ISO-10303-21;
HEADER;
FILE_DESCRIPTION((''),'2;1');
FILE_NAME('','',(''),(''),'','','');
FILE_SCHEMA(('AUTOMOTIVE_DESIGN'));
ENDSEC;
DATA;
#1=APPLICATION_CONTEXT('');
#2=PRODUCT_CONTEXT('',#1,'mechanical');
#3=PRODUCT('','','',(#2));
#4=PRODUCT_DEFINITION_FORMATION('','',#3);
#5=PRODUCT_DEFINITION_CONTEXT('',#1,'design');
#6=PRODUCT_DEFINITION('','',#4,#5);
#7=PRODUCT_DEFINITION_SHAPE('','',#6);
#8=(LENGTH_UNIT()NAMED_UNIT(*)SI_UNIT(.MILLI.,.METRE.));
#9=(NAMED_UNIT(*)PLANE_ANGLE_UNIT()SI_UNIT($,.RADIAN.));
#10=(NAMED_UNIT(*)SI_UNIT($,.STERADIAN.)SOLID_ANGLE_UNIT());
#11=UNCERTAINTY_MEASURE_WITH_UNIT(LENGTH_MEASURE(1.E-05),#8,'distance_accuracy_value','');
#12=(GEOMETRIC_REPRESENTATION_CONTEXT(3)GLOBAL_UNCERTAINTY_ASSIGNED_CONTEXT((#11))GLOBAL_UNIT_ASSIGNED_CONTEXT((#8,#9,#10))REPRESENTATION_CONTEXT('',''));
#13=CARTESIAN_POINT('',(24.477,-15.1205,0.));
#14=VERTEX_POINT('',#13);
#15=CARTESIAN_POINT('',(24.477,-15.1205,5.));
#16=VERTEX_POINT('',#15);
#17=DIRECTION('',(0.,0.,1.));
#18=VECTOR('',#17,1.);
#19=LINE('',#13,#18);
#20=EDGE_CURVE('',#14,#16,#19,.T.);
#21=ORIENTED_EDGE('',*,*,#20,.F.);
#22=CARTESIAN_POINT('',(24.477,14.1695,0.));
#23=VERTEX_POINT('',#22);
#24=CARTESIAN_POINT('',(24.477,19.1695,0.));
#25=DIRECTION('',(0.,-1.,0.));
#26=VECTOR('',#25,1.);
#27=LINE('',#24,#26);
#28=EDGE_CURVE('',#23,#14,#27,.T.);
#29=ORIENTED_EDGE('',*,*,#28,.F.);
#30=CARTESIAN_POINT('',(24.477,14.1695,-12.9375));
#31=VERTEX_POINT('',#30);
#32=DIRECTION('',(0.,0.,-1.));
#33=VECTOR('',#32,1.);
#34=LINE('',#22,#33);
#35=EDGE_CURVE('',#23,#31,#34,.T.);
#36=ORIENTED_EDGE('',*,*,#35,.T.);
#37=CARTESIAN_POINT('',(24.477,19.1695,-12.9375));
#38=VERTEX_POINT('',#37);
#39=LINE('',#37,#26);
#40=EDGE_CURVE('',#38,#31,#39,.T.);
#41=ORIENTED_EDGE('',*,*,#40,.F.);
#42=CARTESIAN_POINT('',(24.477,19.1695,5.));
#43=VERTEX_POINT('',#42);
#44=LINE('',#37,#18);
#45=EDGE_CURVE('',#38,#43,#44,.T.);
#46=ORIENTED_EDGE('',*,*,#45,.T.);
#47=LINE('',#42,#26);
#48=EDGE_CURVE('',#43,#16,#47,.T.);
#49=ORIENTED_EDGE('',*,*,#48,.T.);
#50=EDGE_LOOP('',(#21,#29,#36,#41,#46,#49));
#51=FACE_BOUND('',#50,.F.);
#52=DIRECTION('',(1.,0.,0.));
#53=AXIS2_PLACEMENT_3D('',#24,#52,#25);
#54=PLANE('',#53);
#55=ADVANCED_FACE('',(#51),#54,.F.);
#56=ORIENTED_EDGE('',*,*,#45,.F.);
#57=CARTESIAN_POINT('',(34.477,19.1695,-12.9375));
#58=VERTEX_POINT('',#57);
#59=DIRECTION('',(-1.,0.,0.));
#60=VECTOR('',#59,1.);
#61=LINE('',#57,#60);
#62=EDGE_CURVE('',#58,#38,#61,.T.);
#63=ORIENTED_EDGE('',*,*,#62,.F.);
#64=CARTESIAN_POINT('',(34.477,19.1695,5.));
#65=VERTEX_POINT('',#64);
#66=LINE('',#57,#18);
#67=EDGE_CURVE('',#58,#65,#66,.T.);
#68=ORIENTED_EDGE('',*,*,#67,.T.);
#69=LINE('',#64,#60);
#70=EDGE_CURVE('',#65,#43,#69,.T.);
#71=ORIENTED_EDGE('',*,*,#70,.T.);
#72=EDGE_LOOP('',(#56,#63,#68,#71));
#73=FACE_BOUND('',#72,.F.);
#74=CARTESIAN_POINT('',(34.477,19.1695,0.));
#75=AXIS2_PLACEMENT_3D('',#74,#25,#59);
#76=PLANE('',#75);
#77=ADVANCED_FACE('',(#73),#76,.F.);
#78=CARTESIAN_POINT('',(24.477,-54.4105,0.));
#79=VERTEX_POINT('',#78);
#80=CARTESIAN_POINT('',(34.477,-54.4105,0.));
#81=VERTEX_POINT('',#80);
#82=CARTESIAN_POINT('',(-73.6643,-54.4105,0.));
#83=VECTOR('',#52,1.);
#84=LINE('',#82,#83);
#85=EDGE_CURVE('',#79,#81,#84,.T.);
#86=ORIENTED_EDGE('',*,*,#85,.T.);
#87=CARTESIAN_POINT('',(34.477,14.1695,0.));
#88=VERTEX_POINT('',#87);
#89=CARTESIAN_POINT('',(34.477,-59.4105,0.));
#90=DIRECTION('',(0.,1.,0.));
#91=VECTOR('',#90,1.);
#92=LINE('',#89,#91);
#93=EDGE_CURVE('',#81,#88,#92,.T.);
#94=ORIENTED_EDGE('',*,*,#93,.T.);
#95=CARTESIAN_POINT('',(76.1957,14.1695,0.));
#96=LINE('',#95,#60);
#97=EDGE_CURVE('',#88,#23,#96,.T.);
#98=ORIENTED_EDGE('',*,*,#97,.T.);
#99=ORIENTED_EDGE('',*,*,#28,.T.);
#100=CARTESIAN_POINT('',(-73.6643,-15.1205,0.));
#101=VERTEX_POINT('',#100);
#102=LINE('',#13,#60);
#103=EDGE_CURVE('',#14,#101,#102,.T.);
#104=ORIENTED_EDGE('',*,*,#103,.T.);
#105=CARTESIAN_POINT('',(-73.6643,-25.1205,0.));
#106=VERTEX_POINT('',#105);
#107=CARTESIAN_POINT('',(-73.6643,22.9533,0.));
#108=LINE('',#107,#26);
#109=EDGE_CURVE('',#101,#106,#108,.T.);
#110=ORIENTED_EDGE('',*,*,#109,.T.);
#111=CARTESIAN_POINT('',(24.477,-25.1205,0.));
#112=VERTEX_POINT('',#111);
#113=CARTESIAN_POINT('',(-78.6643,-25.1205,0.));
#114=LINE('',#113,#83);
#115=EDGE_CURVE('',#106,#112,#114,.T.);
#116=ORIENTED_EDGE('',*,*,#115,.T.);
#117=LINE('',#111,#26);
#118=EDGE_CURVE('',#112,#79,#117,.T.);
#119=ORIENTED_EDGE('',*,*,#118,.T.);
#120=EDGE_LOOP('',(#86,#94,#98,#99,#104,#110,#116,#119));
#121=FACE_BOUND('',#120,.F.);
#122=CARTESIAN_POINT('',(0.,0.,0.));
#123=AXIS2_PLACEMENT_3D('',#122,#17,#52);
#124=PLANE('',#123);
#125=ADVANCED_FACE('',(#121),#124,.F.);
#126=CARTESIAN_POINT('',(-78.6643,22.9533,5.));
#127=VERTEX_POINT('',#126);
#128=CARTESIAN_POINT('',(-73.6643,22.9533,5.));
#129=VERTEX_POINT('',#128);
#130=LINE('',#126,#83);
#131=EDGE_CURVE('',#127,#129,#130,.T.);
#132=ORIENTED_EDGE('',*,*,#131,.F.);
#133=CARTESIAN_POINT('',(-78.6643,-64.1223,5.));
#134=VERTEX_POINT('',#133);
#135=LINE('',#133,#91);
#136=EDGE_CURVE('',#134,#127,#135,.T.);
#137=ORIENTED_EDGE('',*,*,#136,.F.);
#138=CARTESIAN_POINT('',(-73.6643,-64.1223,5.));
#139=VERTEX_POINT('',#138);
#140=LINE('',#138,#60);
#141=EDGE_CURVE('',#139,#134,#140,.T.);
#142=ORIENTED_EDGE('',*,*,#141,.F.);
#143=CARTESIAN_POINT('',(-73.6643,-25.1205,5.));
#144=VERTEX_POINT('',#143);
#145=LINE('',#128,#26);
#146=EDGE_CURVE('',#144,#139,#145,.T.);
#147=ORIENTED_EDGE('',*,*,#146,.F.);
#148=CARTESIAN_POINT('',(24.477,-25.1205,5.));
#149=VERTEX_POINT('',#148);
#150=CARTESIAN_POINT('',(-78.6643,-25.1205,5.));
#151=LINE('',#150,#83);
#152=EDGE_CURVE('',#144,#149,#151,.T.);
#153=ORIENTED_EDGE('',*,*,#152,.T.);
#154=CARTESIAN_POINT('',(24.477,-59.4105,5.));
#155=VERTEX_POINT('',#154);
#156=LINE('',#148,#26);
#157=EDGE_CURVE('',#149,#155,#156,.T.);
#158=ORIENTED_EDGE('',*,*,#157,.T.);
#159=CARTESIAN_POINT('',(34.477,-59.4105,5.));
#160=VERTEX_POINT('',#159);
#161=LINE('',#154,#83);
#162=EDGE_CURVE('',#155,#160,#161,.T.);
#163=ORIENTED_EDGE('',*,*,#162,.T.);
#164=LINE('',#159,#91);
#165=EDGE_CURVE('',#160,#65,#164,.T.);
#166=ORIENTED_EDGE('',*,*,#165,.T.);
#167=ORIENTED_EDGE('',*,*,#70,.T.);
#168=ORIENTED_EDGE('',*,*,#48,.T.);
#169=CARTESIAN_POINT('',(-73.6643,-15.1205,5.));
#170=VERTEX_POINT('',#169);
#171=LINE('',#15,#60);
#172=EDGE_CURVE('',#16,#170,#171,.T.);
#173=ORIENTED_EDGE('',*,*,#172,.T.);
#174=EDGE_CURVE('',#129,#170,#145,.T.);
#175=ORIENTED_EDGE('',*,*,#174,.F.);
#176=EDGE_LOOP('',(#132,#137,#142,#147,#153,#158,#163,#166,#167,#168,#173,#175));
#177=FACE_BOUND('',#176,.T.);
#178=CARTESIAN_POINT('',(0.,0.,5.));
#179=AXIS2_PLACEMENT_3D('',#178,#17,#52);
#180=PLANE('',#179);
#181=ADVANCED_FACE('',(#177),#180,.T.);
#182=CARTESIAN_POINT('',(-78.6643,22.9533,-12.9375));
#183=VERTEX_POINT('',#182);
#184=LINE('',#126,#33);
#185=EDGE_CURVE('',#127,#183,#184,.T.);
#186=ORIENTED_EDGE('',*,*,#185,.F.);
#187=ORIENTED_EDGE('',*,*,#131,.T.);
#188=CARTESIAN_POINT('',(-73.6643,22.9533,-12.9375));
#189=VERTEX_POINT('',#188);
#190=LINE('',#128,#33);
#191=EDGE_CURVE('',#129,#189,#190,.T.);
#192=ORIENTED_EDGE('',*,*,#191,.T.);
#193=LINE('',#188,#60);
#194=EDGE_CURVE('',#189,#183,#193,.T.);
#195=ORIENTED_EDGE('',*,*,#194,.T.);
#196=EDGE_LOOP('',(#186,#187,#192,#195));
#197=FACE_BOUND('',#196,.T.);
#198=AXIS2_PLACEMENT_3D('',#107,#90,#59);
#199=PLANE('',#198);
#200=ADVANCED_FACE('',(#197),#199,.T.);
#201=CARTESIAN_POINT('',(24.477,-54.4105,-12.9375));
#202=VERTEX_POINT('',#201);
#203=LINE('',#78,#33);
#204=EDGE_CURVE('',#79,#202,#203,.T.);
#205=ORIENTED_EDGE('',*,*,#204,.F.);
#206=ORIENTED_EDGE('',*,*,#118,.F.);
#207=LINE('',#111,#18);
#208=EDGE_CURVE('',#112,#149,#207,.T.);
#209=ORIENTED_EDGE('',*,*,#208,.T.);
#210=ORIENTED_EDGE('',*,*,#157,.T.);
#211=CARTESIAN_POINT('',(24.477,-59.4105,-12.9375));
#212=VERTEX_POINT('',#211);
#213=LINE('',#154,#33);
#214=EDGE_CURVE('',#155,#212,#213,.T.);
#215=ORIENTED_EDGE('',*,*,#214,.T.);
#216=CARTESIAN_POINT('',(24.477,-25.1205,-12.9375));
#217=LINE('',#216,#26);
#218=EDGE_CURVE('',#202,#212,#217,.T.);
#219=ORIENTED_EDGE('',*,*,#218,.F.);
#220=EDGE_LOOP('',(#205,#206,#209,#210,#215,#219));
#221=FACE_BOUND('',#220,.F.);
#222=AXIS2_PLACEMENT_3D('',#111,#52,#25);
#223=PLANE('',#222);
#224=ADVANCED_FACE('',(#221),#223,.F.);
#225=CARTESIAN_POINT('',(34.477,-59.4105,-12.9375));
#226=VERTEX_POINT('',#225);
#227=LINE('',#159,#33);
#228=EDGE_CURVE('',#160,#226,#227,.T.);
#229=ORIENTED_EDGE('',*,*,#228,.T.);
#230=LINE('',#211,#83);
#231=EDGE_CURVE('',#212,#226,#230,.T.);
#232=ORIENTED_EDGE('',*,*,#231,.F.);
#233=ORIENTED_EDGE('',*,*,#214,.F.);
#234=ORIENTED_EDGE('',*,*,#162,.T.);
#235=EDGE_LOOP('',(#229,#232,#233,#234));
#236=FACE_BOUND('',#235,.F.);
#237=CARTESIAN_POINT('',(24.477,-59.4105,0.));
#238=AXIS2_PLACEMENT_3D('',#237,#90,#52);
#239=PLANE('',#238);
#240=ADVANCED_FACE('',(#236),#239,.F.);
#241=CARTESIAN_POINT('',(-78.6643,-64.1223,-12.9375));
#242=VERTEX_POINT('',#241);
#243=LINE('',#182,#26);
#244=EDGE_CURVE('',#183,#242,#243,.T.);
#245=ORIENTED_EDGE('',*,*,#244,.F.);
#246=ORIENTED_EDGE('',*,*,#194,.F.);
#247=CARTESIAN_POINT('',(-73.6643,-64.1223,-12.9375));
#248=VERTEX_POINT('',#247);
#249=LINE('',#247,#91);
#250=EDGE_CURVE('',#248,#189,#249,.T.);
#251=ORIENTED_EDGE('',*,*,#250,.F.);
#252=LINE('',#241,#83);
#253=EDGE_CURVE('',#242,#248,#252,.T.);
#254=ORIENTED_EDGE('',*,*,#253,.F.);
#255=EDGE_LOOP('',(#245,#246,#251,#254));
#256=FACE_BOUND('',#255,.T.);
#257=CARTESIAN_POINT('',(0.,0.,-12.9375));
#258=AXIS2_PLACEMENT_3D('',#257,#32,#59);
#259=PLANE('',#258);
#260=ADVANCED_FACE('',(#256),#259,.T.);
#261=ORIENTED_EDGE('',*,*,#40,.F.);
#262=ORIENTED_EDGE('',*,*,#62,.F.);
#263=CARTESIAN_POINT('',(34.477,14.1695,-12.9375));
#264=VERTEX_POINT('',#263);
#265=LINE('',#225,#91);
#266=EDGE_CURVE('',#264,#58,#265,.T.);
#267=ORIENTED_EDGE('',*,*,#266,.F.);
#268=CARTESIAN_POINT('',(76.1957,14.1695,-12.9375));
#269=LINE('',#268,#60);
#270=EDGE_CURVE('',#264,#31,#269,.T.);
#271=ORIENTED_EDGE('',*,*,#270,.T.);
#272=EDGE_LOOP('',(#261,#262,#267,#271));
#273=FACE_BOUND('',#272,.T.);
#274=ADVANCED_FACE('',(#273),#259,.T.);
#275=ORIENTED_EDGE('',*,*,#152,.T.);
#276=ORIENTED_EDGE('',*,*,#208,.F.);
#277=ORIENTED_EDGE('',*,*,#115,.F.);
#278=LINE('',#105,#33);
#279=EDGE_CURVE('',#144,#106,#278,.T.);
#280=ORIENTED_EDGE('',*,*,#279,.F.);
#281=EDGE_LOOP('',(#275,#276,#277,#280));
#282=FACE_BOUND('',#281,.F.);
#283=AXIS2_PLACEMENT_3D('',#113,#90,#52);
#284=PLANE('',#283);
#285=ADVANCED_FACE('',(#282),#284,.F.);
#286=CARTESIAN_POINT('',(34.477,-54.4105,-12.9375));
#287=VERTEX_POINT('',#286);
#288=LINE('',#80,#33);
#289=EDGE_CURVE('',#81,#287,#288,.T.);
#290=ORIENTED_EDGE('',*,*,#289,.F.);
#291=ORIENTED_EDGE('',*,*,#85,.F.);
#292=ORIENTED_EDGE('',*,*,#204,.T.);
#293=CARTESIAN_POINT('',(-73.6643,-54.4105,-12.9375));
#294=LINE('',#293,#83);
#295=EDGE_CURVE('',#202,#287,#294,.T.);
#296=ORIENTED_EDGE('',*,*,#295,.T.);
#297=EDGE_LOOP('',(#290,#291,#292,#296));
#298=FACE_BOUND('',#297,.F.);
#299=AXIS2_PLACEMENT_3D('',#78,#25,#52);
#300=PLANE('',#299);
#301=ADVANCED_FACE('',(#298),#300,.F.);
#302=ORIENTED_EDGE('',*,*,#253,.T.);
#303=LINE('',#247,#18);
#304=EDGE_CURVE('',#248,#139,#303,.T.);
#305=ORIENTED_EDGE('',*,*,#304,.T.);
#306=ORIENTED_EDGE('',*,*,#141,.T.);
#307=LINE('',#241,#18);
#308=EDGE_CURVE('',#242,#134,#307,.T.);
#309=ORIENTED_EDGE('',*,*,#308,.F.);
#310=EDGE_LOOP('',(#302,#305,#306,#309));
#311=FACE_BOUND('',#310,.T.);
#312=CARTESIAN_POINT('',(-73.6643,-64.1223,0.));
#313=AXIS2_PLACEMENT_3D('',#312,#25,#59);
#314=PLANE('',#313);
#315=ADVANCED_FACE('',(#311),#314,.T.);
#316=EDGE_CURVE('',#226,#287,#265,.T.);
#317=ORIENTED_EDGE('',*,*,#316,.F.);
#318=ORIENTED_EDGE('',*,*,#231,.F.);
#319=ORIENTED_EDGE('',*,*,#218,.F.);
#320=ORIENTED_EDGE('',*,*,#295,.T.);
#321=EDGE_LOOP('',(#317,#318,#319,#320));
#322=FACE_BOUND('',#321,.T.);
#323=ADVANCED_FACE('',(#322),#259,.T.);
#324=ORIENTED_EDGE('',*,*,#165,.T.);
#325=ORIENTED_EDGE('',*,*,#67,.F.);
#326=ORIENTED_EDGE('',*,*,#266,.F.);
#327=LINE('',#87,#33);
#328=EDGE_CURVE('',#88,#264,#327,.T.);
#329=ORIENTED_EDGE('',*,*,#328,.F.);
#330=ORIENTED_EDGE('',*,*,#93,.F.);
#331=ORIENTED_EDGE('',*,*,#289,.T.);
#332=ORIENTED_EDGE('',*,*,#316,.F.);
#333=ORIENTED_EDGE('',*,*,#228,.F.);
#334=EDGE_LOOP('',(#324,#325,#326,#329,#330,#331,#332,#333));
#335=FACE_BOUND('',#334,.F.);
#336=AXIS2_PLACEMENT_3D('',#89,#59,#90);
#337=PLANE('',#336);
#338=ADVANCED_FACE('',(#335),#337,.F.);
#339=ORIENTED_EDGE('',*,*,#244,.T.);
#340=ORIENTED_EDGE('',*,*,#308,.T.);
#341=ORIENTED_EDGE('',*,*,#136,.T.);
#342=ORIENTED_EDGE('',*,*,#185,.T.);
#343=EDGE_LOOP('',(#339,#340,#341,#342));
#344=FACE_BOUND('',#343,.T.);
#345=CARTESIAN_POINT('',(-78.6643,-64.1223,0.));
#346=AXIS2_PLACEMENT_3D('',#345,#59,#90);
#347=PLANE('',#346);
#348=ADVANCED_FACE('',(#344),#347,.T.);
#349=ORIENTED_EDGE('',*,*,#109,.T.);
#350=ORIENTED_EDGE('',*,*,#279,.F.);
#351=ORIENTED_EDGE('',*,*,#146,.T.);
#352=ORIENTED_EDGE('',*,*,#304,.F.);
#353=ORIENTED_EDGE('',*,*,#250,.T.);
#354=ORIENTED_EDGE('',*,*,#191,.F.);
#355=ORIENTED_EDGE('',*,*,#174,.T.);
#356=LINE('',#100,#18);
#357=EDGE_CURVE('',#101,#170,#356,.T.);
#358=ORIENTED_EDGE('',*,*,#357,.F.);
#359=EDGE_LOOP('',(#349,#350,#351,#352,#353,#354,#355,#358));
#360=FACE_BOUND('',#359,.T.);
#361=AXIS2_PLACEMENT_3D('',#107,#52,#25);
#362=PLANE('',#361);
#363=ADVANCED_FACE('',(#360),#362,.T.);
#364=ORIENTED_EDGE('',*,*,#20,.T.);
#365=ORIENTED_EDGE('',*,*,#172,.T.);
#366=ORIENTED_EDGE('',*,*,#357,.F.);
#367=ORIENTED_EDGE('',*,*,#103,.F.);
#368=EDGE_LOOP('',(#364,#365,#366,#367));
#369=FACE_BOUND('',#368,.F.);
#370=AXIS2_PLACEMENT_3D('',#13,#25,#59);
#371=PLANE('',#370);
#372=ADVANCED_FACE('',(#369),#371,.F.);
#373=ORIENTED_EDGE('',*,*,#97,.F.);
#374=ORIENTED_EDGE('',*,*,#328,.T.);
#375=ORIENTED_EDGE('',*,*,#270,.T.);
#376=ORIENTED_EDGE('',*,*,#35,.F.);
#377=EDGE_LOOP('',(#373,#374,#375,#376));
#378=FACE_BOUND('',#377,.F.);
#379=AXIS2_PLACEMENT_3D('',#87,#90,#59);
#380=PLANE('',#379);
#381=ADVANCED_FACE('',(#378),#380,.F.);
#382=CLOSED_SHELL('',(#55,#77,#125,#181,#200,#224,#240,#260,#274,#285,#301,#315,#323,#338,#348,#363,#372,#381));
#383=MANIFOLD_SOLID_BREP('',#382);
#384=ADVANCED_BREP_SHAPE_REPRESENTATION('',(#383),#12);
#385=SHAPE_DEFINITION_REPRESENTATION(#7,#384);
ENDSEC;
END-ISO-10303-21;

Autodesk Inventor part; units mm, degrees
ref_plane "YZ Plane" through (0, 0, 0) normal (1, 0, 0) x (0, 1, 0)
ref_plane "XZ Plane" through (0, 0, 0) normal (0, 1, 0) x (-1, 0, 0)
ref_plane "XY Plane" through (0, 0, 0) normal (0, 0, 1) x (1, 0, 0)
sketch "Sketch1" plane through (0, 0, 0) normal (0, 0, 1) x (1, 0, 0)
  point P0 (0, 0)
sketch "Sketch2" plane through (0, 0, 0) normal (0, 0, 1) x (1, 0, 0)
  line L0 (76.1957, 14.1695) -> (-73.6643, 14.1695) construction
  line L1 (-73.6643, -54.4105) -> (76.1957, -54.4105) construction
  line L2 (34.477, 19.1695) -> (24.477, 19.1695)
  line L3 (24.477, -59.4105) -> (34.477, -59.4105)
  line L4 (34.477, -59.4105) -> (34.477, 19.1695)
  line L5 (24.477, -15.1205) -> (-78.6643, -15.1205)
  line L6 (-78.6643, -15.1205) -> (-78.6643, -25.1205)
  line L7 (-78.6643, -25.1205) -> (24.477, -25.1205)
  line L8 (-73.6643, 14.1695) -> (-73.6643, -54.4105) construction
  line L9 (76.1957, -54.4105) -> (76.1957, 14.1695) construction
  line L10 (76.1957, -20.1205) -> (-73.6643, -20.1205) construction
  line L11 (24.477, 19.1695) -> (24.477, -15.1205)
  line L12 (24.477, -25.1205) -> (24.477, -59.4105)
  line L13 (44.477, -30.2805) -> (44.477, -9.9605) construction
  line L14 (57.177, -30.2805) -> (44.477, -30.2805) construction
  line L15 (57.177, -9.9605) -> (57.177, -30.2805) construction
  line L16 (44.477, -9.9605) -> (57.177, -9.9605) construction
  point P0 (0, 0)
  point P1 (-78.6643, -20.1205)
  dimension "d0" = 5
  dimension "d1" = 5
  dimension "d2" = 5
  dimension "d3" = 10
  dimension "d5" = 10
  dimension "d6" = 10
extrude "Extrusion1" add sketch "Sketch2" along normal blind 5
sketch "Sketch3" plane through (0, 0, 0) normal (0, 0, -1) x (-1, 0, 0)
  line L0 (-76.1957, 14.1695) -> (73.6643, 14.1695) projected
  line L1 (-76.1957, -54.4105) -> (-76.1957, 14.1695) projected
  line L2 (73.6643, -54.4105) -> (-76.1957, -54.4105) projected
  line L3 (73.6643, 14.1695) -> (73.6643, -54.4105) projected
  line L4 (-34.477, -59.4105) -> (-34.477, 19.1695) projected
  line L5 (-24.477, 19.1695) -> (-24.477, -15.1205) projected
  line L6 (-34.477, 19.1695) -> (-24.477, 19.1695)
  line L7 (-24.477, 19.1695) -> (-24.477, 14.1695)
  line L8 (-24.477, 14.1695) -> (-34.477, 14.1695)
  line L9 (-34.477, 14.1695) -> (-34.477, 19.1695)
  line L10 (-24.477, -25.1205) -> (-24.477, -59.4105) projected
  line L11 (-24.477, -59.4105) -> (-34.477, -59.4105)
  line L12 (-34.477, -59.4105) -> (-34.477, -54.4105)
  line L13 (-34.477, -54.4105) -> (-24.477, -54.4105)
  line L14 (-24.477, -54.4105) -> (-24.477, -59.4105)
  line L15 (73.6643, 22.9533) -> (78.6643, 22.9533)
  line L16 (78.6643, 22.9533) -> (78.6643, -64.1223)
  line L17 (78.6643, -64.1223) -> (73.6643, -64.1223)
  line L18 (73.6643, -64.1223) -> (73.6643, 22.9533)
  point P0 (0, 0)
  point P1 (-24.477, -54.4105)
  point P2 (-34.477, -54.4105)
  point P3 (-34.477, 14.1695)
extrude "Extrusion2" add sketch "Sketch3" along normal blind 12.9375 contours L4 L6 L5 L0 | L2 L10 L11 L4 | L18 L15 L16 L17 L3
sketch "Sketch4" plane through (0, 0, 0) normal (0, 0, 1) x (1, 0, 0)
  line L0 (-78.6643, -64.1223) -> (-78.6643, 22.9533) projected
  line L1 (-78.6643, 22.9533) -> (-73.6643, 22.9533)
  line L2 (-73.6643, 22.9533) -> (-73.6643, -64.1223)
  line L3 (-73.6643, -64.1223) -> (-78.6643, -64.1223)
  line L4 (-78.6643, -64.1223) -> (-78.6643, 22.9533)
  point P0 (0, 0)
extrude "Extrusion3" add sketch "Sketch4" along normal blind 5
equation "\"d5\" = d3"
properties part number "Holder"
